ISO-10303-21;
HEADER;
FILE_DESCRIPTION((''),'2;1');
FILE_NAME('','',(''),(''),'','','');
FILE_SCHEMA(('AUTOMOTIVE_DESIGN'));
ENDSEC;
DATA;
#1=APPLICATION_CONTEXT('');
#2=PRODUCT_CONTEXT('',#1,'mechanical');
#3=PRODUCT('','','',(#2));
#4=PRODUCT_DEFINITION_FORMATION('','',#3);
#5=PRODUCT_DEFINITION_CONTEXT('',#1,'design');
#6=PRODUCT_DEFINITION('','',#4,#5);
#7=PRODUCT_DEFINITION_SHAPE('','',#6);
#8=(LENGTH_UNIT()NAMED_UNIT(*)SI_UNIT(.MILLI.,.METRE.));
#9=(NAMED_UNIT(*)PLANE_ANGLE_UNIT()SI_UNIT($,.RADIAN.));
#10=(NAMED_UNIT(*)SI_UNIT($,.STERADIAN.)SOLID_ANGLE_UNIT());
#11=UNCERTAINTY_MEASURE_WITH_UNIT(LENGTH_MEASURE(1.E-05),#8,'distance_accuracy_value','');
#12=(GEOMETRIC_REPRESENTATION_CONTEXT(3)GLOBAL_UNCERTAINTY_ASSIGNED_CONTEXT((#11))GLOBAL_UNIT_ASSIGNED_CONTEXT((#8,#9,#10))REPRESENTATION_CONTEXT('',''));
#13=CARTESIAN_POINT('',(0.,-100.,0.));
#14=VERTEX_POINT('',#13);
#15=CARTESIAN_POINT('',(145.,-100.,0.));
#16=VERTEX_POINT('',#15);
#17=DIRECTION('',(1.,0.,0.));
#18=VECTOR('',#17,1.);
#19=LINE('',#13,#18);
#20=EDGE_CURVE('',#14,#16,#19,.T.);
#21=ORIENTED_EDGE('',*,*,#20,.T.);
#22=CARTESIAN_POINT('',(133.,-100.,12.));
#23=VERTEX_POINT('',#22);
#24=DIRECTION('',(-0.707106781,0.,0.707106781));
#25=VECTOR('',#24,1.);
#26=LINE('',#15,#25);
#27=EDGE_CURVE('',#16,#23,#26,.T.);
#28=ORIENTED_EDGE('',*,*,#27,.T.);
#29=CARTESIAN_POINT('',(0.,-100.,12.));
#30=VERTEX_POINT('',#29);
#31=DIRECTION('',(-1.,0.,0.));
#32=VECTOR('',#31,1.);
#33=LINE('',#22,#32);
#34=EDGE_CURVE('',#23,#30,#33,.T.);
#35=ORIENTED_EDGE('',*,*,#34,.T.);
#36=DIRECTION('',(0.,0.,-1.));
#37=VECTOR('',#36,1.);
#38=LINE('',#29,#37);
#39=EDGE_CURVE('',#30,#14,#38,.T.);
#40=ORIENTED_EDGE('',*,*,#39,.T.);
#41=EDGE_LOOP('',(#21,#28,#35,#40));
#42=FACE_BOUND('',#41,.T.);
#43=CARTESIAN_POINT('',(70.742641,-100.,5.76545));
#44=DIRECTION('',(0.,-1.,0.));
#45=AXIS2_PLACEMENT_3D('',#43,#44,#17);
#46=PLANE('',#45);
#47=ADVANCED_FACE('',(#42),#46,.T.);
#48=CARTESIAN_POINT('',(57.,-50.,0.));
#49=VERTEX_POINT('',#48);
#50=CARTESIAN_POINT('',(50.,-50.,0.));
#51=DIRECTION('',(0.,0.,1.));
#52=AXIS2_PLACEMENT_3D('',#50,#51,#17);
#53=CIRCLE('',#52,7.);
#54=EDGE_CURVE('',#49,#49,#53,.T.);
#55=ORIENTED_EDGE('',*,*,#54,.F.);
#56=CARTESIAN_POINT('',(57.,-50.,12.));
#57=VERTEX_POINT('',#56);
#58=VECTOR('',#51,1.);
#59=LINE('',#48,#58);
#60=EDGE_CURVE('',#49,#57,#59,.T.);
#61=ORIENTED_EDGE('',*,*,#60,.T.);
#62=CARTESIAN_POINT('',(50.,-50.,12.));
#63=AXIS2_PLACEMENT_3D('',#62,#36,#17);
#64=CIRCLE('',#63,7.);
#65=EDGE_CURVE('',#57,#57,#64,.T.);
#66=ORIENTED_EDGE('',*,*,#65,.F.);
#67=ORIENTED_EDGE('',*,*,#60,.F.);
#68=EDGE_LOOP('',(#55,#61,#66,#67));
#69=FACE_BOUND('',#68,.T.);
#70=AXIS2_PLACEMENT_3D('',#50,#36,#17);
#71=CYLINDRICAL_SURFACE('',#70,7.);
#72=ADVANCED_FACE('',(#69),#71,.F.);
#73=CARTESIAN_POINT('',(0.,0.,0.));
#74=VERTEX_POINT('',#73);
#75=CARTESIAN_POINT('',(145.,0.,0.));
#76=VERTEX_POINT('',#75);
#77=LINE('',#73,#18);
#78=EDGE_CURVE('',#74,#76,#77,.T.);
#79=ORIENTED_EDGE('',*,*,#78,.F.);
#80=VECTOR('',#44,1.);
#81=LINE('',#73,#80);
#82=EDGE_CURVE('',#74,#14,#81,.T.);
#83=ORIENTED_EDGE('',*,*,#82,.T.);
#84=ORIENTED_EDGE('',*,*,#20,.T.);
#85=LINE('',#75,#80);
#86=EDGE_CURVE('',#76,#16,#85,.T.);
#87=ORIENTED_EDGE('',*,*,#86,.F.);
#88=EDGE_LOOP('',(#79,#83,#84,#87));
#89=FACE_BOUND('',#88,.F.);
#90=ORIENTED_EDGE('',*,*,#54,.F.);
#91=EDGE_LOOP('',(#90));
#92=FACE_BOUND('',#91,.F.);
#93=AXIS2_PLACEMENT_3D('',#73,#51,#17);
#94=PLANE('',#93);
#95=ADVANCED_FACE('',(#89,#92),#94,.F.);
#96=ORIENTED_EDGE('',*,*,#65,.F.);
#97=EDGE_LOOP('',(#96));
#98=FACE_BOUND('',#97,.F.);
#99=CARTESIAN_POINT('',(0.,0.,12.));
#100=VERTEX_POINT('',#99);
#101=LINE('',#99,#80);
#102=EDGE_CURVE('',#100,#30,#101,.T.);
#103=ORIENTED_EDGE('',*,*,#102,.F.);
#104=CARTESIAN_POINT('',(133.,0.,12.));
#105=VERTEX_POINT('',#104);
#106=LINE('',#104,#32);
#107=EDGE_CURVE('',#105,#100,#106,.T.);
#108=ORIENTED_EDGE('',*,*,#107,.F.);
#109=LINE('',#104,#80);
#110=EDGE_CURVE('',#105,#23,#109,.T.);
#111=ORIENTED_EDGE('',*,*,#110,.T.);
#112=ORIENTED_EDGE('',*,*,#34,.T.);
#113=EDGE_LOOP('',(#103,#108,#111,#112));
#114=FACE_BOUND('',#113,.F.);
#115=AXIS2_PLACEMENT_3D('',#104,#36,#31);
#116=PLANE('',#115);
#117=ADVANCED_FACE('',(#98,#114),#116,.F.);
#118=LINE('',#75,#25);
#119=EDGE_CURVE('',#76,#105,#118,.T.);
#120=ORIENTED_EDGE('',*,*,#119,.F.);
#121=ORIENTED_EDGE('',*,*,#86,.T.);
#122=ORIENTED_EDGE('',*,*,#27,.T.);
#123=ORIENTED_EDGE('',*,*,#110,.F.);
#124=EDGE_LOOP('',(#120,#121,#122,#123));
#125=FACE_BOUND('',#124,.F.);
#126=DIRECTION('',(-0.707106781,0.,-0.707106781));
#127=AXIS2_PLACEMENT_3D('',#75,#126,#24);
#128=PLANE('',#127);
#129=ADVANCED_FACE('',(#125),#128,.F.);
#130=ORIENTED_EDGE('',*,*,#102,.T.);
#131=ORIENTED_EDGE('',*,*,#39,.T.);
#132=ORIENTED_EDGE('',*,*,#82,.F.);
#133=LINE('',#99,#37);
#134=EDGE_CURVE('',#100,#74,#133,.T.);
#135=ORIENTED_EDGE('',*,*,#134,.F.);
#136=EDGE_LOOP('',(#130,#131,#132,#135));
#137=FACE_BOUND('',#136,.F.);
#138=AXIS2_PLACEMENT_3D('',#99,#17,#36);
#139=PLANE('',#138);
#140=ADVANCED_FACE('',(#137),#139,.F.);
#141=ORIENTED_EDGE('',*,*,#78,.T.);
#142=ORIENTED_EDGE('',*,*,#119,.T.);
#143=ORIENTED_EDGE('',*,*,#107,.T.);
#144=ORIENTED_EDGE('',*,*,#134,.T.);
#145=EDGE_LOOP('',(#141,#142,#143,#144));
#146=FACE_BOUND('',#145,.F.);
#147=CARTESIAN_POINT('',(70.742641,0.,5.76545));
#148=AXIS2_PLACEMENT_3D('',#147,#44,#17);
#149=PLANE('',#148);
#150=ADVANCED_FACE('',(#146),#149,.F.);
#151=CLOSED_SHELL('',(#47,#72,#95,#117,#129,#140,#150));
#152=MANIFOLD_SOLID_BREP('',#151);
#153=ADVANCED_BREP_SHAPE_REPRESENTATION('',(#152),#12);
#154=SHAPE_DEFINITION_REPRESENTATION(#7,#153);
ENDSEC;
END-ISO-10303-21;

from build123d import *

# Parameters (mm, degrees)
F1_DEPTH = 100
F2_R     = 7
F3_DEPTH = 12.001


with BuildPart() as f1:
    # F0 (on Front) → F1 (new body)
    with BuildSketch(Plane.XZ):
        Polygon((0, 12), (0, 0), (145, 0), (133, 12), align=None)
    extrude(amount=F1_DEPTH)

    # F2 (on Top) → F3 (cut, through all)
    with BuildSketch(Plane.XY):
        with Locations((50, -50)):
            Circle(F2_R)
    extrude(amount=F3_DEPTH, mode=Mode.SUBTRACT)


solid = f1.part
